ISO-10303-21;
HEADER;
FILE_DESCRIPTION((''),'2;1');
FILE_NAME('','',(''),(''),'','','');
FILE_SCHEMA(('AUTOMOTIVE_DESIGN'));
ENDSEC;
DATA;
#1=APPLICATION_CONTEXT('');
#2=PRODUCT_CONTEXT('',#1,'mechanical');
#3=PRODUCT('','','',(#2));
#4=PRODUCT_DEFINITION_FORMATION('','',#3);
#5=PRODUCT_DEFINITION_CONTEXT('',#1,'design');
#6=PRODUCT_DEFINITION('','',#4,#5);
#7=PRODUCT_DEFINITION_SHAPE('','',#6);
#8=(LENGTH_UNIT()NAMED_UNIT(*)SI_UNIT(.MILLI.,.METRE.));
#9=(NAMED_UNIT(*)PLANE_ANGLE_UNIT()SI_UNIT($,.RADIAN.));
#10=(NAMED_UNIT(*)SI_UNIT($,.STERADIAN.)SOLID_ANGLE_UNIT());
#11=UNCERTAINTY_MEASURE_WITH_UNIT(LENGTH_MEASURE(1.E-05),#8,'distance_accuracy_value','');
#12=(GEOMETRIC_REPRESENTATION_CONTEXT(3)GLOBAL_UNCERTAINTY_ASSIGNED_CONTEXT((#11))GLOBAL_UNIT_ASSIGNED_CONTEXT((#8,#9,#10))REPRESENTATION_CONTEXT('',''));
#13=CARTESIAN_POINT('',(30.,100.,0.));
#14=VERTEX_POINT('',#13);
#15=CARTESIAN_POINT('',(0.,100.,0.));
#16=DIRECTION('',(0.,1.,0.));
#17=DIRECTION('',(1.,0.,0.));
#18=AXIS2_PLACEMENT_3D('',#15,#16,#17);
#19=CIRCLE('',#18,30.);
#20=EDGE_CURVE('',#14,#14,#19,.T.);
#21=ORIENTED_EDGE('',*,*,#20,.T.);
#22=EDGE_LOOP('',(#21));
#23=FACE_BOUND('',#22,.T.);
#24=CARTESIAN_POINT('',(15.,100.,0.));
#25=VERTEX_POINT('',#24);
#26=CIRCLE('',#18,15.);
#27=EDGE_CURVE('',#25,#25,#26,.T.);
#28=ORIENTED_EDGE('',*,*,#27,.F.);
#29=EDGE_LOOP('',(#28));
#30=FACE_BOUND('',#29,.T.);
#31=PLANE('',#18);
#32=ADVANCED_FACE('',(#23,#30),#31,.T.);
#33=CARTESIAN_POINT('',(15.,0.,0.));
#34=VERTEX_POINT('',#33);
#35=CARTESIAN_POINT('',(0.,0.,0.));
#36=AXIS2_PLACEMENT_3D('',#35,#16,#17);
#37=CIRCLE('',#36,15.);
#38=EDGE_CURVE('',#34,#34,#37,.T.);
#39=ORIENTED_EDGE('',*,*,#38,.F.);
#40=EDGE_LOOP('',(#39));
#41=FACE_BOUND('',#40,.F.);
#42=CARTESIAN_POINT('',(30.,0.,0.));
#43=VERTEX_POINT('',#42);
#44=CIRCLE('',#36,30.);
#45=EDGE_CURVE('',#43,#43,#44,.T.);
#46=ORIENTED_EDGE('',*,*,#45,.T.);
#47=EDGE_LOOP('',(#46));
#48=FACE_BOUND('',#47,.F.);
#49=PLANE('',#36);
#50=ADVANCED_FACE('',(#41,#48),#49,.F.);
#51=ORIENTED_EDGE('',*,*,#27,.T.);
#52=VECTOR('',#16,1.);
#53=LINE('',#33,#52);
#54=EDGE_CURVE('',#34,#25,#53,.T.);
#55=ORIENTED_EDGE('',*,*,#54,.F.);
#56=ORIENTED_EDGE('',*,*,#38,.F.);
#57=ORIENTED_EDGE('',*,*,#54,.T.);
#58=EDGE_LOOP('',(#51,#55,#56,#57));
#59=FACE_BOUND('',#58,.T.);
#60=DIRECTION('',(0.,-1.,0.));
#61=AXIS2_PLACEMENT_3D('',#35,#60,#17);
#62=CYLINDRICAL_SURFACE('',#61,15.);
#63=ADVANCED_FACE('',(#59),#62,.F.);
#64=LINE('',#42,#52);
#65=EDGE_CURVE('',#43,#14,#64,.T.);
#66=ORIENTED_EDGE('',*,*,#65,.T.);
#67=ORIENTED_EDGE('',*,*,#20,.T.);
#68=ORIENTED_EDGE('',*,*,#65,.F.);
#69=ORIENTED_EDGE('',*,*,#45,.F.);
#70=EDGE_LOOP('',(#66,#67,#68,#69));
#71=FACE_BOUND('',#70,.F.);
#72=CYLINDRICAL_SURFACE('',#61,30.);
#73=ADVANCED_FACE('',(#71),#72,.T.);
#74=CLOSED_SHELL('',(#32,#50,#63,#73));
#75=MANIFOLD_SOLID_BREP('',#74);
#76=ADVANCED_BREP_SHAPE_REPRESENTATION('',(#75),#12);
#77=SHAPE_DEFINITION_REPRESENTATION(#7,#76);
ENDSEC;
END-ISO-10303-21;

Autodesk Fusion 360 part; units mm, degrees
sketch "Sketch1" plane through (0, 0, 0) normal (0, 1, 0) x (1, 0, 0)
  circle A0 centre (0, 0) radius 30
  circle A1 centre (0, 0) radius 15
  dimension "d1" = 30
  dimension "d2" = 60
extrude "Extrude1" add sketch "Sketch1" along normal blind 100
